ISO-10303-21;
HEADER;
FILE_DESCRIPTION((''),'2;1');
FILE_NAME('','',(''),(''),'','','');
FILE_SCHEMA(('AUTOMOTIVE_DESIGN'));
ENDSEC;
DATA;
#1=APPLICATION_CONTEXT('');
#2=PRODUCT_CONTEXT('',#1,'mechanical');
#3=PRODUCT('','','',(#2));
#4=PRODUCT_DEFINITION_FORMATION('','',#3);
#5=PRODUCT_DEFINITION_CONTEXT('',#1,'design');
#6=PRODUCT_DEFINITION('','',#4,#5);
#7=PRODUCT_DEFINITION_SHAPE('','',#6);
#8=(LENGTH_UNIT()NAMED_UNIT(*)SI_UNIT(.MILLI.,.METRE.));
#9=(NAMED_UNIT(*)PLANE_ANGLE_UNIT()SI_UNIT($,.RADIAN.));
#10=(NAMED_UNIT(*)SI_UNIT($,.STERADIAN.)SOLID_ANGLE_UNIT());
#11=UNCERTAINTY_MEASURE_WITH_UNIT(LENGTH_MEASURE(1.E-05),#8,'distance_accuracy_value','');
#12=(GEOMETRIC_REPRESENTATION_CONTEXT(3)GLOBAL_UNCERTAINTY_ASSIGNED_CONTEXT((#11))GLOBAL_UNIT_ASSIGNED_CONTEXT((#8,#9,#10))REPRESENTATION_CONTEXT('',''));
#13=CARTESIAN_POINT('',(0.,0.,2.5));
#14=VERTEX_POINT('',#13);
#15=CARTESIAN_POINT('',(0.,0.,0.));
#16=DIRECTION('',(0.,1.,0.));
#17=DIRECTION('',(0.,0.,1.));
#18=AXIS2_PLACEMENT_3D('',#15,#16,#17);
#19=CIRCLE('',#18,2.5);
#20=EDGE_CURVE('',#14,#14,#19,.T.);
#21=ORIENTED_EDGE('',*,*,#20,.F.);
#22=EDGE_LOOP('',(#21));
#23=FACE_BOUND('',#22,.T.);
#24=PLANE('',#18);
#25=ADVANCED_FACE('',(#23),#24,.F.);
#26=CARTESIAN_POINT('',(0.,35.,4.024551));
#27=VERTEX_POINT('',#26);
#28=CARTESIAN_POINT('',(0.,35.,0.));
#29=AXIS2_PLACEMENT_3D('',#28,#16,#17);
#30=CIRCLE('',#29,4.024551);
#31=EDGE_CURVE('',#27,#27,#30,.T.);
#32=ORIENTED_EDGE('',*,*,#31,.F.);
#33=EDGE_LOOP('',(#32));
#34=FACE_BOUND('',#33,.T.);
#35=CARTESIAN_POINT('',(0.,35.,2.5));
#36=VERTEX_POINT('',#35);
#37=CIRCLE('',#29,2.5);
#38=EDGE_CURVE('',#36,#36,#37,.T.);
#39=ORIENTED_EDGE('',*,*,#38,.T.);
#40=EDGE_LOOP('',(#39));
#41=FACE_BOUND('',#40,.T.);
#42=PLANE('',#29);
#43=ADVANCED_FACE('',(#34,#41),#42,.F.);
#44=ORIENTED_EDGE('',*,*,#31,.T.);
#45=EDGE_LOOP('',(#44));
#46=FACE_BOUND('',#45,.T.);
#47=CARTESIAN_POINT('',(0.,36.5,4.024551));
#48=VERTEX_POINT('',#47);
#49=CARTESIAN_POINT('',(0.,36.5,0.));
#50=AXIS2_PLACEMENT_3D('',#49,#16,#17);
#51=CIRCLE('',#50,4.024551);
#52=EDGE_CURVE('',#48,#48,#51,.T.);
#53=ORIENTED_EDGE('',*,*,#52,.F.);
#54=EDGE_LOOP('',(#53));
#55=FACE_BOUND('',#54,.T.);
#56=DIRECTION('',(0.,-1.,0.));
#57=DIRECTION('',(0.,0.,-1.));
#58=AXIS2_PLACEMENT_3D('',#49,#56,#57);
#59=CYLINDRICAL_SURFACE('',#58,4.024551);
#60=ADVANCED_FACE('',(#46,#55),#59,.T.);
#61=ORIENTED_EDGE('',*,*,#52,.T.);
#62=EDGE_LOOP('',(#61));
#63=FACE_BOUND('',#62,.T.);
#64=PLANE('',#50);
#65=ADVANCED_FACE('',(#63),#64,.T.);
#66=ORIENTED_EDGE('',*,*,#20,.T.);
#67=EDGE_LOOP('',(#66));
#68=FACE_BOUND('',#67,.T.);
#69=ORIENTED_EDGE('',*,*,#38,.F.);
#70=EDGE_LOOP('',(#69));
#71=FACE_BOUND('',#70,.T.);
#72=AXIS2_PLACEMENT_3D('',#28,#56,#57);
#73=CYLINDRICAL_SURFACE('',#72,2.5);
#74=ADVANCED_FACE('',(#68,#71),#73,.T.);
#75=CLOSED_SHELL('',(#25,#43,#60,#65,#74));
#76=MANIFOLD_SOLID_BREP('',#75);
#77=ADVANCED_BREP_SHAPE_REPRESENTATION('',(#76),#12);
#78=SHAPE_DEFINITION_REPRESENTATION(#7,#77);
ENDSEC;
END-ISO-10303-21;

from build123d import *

# Parameters (mm, degrees)
SKETCH_1_R      = 2.5
EXTRUDE_1_DEPTH = 35
SKETCH_2_R      = 4.024551442
EXTRUDE_2_DEPTH = 1.5


with BuildPart() as part:
    # 草图1 → 凸台-拉伸1 (new body)
    with BuildSketch(Plane(origin=(0, 0, 0), x_dir=(1, 0, 0), z_dir=(0, 1, 0))):
        with Locations(Location((0, 0, 0), (0, 0, 270))):
            Circle(SKETCH_1_R)
    extrude(amount=EXTRUDE_1_DEPTH)

    # 草图2 → 凸台-拉伸2 (add)
    with BuildSketch(Plane(origin=(0, 35, 0), x_dir=(1, 0, 0), z_dir=(0, 1, 0))):
        with Locations(Location((0, 0, 0), (0, 0, 270))):
            Circle(SKETCH_2_R)
    extrude(amount=EXTRUDE_2_DEPTH)


solid = part.part
